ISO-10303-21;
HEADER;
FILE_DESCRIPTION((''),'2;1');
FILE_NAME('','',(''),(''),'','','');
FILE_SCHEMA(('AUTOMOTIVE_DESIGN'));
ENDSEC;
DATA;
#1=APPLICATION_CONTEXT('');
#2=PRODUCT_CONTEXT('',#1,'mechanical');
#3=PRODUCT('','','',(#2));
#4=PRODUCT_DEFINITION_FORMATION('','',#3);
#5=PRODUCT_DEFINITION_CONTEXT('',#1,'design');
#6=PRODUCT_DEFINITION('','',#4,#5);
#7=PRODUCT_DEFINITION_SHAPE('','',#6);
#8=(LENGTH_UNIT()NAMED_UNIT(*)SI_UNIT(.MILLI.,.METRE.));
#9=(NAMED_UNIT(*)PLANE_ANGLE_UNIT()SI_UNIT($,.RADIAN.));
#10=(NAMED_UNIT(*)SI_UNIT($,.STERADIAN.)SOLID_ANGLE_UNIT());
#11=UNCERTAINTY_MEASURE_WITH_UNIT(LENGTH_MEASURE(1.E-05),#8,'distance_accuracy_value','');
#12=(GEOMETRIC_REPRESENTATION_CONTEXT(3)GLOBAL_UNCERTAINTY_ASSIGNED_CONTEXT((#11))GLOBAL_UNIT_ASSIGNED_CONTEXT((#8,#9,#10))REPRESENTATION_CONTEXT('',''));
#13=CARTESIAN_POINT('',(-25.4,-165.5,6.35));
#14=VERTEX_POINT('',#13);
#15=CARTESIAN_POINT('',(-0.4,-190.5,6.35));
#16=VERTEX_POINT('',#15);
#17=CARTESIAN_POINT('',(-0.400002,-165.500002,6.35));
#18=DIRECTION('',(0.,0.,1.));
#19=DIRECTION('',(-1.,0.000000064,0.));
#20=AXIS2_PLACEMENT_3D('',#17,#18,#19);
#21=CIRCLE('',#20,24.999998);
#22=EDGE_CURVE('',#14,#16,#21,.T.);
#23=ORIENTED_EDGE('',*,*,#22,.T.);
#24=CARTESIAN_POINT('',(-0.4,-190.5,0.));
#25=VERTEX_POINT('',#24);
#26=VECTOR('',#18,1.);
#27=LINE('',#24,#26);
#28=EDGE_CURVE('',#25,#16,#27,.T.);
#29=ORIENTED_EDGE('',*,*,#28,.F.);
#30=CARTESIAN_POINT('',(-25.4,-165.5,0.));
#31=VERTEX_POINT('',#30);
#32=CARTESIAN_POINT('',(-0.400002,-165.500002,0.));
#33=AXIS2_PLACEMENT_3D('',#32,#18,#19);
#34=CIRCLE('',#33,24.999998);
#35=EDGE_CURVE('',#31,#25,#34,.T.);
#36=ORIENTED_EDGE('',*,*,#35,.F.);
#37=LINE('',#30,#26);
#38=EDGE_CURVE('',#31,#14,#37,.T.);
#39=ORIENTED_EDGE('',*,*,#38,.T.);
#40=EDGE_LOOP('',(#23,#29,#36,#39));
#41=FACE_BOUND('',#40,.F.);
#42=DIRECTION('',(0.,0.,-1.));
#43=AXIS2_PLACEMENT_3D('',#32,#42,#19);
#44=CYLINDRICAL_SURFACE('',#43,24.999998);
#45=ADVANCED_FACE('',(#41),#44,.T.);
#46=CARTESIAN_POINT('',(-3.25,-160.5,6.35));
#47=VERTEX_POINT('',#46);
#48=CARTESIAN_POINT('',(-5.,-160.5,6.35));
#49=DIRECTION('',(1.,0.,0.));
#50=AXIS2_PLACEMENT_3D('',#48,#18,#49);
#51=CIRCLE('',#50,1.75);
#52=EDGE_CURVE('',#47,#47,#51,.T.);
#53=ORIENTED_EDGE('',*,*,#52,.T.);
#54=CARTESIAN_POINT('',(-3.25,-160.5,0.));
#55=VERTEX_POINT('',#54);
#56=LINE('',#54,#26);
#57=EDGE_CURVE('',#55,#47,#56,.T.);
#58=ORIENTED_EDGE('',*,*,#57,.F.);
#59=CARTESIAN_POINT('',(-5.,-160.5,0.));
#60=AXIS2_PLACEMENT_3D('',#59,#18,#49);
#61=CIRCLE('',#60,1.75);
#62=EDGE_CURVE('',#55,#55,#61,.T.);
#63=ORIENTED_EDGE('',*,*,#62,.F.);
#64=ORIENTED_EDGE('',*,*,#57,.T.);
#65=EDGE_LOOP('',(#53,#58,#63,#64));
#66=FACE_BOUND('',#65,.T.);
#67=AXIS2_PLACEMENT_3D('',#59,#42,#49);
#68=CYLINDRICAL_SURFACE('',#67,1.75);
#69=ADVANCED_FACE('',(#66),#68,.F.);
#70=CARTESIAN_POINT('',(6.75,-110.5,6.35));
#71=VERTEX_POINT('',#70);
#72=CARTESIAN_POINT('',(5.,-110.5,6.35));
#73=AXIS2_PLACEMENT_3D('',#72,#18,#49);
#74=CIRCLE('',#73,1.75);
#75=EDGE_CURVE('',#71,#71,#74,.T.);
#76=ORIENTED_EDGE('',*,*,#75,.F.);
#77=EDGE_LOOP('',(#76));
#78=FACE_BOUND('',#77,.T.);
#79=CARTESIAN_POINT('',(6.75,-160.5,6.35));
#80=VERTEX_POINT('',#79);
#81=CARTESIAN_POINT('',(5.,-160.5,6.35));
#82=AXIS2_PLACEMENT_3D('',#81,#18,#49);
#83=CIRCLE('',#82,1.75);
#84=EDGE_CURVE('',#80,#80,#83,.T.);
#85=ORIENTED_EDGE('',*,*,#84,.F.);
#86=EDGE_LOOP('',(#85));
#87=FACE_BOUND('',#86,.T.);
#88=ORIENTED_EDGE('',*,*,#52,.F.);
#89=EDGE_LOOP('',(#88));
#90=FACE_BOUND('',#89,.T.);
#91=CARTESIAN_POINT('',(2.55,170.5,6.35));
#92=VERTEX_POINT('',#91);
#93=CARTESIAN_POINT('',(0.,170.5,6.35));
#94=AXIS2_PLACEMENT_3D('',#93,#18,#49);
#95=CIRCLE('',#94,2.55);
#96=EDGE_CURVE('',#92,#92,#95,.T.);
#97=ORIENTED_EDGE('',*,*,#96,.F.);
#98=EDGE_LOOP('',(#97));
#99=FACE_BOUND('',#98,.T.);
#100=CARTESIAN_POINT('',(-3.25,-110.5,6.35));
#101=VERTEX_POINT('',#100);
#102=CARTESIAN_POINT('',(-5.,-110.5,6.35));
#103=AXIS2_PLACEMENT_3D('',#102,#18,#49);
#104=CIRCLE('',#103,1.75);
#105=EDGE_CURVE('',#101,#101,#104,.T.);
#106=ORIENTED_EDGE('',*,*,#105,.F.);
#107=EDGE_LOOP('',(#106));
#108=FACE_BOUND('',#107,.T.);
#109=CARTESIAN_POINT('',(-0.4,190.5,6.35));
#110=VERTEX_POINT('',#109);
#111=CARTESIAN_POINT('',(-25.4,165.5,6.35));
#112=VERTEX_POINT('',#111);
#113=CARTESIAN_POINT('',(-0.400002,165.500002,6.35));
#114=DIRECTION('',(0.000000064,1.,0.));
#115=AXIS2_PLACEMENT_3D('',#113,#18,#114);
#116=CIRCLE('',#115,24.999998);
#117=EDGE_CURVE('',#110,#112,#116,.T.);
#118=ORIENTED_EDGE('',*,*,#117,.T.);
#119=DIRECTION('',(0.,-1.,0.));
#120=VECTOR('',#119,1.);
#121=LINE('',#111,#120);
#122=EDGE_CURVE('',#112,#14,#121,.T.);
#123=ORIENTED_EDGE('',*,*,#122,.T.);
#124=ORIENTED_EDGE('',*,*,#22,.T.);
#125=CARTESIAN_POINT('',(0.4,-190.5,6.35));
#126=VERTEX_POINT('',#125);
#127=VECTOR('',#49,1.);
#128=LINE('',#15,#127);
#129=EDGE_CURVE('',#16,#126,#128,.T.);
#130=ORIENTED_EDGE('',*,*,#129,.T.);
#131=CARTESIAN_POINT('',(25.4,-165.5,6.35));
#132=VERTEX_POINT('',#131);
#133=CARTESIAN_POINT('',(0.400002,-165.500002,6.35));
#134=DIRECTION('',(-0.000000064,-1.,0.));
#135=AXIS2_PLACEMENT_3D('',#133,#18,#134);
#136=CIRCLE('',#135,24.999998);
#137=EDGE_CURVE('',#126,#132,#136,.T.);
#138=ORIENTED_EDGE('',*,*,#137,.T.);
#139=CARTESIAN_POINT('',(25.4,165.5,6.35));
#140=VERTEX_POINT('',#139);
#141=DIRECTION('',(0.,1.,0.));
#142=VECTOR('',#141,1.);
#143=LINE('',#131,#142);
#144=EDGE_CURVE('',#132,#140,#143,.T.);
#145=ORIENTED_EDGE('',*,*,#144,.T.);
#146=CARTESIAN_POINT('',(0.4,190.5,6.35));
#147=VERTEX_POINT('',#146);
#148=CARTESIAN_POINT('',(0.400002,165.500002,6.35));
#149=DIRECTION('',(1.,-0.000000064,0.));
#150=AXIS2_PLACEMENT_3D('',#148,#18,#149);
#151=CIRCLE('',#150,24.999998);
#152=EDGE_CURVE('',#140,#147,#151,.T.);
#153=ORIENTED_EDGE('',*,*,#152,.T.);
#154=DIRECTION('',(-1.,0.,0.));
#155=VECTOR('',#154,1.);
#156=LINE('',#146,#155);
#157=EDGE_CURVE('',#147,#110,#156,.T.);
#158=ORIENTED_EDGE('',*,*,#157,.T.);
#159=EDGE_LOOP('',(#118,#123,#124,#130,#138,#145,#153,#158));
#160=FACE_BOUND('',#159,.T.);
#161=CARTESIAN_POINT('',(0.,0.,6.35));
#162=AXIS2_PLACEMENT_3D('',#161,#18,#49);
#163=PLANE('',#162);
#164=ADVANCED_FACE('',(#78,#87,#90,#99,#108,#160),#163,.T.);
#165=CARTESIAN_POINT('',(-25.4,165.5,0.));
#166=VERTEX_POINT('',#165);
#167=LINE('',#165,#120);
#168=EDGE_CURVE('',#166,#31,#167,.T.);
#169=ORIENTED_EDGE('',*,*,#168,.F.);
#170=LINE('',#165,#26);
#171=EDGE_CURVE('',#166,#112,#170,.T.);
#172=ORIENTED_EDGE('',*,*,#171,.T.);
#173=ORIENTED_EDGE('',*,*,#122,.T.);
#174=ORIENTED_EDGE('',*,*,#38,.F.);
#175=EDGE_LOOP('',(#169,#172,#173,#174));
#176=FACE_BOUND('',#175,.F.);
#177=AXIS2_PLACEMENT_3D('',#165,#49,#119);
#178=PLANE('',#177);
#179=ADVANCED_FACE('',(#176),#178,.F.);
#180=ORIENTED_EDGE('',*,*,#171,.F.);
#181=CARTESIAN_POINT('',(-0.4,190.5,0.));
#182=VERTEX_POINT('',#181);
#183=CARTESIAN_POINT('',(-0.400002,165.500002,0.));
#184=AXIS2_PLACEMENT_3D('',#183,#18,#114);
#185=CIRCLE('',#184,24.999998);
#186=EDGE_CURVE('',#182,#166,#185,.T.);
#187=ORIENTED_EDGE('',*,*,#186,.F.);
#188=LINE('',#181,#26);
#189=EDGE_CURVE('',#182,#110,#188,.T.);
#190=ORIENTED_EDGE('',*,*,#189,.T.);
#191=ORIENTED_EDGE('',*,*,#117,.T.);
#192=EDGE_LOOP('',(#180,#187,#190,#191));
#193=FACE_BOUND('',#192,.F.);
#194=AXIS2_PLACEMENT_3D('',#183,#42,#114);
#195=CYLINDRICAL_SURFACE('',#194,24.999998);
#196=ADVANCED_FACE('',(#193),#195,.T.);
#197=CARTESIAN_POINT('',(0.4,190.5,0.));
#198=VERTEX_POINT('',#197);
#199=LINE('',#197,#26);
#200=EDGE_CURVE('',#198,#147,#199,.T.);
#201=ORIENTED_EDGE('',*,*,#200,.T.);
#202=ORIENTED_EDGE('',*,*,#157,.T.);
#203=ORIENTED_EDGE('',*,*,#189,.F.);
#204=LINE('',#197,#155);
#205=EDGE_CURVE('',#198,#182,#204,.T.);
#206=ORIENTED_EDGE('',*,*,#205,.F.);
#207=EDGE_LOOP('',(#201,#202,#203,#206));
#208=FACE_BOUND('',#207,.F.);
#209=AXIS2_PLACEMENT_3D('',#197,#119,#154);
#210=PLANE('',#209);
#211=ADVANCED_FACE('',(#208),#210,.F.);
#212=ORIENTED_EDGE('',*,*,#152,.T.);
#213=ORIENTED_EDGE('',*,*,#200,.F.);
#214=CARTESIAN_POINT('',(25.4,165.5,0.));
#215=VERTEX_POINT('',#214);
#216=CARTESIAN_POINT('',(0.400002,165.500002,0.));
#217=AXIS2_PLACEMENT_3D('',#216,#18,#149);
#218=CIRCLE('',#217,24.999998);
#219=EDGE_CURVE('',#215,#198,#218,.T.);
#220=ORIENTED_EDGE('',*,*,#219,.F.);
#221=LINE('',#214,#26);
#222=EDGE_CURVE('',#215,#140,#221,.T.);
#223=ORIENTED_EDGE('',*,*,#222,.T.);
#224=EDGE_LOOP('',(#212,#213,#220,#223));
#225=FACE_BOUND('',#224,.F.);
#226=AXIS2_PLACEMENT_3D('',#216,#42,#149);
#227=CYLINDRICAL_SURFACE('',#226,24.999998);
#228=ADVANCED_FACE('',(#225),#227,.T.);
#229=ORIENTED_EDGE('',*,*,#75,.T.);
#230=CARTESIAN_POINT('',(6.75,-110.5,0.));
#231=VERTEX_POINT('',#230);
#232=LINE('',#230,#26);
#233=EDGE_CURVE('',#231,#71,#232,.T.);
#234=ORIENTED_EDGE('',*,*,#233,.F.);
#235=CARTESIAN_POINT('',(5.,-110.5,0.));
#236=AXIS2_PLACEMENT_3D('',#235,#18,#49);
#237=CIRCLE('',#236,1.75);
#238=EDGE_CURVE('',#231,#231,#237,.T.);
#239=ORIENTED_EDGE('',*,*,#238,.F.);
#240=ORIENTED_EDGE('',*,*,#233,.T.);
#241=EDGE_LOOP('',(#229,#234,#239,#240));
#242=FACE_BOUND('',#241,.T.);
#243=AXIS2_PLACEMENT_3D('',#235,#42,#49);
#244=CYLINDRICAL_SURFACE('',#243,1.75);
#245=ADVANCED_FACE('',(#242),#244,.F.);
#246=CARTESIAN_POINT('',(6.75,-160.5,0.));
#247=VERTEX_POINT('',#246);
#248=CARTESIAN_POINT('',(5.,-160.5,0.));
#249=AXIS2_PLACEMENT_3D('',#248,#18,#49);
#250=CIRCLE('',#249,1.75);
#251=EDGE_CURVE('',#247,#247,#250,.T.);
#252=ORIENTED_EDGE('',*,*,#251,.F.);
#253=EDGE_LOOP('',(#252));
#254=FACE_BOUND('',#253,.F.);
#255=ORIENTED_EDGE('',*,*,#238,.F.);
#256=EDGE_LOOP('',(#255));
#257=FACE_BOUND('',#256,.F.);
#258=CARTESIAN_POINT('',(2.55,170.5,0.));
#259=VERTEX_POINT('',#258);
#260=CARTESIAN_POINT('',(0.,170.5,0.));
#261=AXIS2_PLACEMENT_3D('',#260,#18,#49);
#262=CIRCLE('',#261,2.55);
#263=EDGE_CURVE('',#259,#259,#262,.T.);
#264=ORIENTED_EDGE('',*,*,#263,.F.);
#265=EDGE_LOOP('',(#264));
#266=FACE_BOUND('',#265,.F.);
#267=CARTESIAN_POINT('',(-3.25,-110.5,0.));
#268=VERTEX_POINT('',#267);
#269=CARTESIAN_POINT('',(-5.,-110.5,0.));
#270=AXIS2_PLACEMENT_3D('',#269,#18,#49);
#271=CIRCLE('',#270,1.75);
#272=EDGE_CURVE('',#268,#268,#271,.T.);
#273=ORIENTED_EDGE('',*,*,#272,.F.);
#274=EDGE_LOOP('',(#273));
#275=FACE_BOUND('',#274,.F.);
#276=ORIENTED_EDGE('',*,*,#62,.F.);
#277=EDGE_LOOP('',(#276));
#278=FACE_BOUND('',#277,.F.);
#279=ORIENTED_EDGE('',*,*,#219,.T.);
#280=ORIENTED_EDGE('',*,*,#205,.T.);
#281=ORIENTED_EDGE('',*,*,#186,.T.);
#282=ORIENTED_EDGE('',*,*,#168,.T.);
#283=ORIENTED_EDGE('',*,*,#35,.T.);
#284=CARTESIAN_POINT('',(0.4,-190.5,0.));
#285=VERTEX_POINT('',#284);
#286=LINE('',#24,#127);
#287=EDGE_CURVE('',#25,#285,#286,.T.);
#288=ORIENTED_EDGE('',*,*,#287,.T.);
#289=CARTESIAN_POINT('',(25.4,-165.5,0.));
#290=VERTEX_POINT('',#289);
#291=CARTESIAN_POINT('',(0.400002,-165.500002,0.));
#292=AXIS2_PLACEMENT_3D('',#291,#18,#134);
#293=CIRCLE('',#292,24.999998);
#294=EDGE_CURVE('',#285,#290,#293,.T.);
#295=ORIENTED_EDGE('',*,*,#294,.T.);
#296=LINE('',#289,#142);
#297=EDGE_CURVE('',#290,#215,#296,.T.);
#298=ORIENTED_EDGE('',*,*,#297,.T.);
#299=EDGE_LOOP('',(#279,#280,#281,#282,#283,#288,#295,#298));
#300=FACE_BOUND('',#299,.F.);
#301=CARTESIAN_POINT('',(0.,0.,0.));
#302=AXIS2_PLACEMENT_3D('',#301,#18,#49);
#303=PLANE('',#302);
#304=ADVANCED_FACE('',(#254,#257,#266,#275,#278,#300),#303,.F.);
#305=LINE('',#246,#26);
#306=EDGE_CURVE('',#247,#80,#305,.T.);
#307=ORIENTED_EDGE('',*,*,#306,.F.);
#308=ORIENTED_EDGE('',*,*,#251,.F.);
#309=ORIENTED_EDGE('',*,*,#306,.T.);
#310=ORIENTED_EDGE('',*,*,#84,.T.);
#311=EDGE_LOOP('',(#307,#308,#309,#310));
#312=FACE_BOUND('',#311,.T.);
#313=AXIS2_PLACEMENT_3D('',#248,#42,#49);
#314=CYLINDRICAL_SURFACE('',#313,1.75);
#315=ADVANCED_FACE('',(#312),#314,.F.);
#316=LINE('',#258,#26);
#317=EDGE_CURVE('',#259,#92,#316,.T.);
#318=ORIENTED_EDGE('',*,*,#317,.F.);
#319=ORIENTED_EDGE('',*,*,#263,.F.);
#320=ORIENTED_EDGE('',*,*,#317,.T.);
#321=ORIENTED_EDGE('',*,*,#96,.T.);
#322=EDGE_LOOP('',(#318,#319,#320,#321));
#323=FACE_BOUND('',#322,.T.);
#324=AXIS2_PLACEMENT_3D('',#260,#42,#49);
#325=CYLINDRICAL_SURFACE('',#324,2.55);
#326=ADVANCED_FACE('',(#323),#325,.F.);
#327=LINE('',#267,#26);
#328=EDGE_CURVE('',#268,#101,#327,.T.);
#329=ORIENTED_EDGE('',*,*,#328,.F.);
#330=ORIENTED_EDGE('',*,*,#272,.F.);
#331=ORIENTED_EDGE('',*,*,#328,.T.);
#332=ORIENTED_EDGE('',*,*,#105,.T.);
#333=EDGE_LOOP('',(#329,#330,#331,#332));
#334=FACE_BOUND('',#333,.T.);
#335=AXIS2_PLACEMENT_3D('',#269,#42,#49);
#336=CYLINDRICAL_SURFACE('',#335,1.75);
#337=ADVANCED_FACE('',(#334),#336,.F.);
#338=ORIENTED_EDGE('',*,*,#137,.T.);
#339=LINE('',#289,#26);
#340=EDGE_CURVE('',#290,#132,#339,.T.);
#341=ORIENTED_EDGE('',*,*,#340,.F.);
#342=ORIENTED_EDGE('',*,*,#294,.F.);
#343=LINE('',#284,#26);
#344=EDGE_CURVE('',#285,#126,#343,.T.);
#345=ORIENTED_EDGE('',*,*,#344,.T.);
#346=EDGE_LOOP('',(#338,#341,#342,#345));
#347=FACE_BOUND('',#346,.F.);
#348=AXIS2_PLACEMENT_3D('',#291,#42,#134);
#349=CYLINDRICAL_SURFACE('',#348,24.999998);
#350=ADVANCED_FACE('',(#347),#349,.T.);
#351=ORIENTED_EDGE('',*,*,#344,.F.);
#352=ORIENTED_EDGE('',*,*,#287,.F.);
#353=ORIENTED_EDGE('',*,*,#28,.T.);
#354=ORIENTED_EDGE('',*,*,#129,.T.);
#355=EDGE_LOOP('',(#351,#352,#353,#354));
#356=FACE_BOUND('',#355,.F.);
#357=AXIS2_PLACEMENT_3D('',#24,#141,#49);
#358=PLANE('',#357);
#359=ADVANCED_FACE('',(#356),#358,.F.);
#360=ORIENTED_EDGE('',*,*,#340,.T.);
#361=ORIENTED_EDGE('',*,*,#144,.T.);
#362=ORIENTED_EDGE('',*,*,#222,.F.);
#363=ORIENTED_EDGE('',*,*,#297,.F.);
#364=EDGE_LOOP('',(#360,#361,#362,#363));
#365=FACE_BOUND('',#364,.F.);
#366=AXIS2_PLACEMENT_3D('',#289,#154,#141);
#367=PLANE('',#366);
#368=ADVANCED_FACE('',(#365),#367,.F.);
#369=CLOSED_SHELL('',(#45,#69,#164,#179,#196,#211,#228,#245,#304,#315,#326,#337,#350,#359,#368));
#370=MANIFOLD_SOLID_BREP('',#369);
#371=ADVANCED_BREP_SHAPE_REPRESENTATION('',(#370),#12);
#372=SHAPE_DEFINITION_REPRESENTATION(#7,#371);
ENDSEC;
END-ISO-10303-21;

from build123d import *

# Parameters (mm, degrees)
F0_R     = 1.75
F0_R_2   = 2.55
F1_DEPTH = 6.35


with BuildPart() as f1:
    # F0 (on Top) → F1 (new body)
    with BuildSketch(Plane.XY):
        with BuildLine():
            ThreePointArc((25.4, 165.5), (18.07767, 183.17767), (0.4, 190.5))
            Line((0.4, 190.5), (-0.4, 190.5))
            ThreePointArc((-0.4, 190.5), (-18.07767, 183.17767), (-25.4, 165.5))
            Line((-25.4, 165.5), (-25.4, -165.5))
            ThreePointArc((-25.4, -165.5), (-18.07767, -183.17767), (-0.4, -190.5))
            Line((-0.4, -190.5), (0.4, -190.5))
            ThreePointArc((0.4, -190.5), (18.07767, -183.17767), (25.4, -165.5))
            Line((25.4, -165.5), (25.4, 165.5))
        make_face()
        with Locations((-5, -160.5)):
            Circle(F0_R, mode=Mode.SUBTRACT)
        with Locations((-5, -110.5)):
            Circle(F0_R, mode=Mode.SUBTRACT)
        with Locations((5, -160.5)):
            Circle(F0_R, mode=Mode.SUBTRACT)
        with Locations((5, -110.5)):
            Circle(F0_R, mode=Mode.SUBTRACT)
        with Locations((0, 170.5)):
            Circle(F0_R_2, mode=Mode.SUBTRACT)
    extrude(amount=F1_DEPTH)


solid = f1.part
